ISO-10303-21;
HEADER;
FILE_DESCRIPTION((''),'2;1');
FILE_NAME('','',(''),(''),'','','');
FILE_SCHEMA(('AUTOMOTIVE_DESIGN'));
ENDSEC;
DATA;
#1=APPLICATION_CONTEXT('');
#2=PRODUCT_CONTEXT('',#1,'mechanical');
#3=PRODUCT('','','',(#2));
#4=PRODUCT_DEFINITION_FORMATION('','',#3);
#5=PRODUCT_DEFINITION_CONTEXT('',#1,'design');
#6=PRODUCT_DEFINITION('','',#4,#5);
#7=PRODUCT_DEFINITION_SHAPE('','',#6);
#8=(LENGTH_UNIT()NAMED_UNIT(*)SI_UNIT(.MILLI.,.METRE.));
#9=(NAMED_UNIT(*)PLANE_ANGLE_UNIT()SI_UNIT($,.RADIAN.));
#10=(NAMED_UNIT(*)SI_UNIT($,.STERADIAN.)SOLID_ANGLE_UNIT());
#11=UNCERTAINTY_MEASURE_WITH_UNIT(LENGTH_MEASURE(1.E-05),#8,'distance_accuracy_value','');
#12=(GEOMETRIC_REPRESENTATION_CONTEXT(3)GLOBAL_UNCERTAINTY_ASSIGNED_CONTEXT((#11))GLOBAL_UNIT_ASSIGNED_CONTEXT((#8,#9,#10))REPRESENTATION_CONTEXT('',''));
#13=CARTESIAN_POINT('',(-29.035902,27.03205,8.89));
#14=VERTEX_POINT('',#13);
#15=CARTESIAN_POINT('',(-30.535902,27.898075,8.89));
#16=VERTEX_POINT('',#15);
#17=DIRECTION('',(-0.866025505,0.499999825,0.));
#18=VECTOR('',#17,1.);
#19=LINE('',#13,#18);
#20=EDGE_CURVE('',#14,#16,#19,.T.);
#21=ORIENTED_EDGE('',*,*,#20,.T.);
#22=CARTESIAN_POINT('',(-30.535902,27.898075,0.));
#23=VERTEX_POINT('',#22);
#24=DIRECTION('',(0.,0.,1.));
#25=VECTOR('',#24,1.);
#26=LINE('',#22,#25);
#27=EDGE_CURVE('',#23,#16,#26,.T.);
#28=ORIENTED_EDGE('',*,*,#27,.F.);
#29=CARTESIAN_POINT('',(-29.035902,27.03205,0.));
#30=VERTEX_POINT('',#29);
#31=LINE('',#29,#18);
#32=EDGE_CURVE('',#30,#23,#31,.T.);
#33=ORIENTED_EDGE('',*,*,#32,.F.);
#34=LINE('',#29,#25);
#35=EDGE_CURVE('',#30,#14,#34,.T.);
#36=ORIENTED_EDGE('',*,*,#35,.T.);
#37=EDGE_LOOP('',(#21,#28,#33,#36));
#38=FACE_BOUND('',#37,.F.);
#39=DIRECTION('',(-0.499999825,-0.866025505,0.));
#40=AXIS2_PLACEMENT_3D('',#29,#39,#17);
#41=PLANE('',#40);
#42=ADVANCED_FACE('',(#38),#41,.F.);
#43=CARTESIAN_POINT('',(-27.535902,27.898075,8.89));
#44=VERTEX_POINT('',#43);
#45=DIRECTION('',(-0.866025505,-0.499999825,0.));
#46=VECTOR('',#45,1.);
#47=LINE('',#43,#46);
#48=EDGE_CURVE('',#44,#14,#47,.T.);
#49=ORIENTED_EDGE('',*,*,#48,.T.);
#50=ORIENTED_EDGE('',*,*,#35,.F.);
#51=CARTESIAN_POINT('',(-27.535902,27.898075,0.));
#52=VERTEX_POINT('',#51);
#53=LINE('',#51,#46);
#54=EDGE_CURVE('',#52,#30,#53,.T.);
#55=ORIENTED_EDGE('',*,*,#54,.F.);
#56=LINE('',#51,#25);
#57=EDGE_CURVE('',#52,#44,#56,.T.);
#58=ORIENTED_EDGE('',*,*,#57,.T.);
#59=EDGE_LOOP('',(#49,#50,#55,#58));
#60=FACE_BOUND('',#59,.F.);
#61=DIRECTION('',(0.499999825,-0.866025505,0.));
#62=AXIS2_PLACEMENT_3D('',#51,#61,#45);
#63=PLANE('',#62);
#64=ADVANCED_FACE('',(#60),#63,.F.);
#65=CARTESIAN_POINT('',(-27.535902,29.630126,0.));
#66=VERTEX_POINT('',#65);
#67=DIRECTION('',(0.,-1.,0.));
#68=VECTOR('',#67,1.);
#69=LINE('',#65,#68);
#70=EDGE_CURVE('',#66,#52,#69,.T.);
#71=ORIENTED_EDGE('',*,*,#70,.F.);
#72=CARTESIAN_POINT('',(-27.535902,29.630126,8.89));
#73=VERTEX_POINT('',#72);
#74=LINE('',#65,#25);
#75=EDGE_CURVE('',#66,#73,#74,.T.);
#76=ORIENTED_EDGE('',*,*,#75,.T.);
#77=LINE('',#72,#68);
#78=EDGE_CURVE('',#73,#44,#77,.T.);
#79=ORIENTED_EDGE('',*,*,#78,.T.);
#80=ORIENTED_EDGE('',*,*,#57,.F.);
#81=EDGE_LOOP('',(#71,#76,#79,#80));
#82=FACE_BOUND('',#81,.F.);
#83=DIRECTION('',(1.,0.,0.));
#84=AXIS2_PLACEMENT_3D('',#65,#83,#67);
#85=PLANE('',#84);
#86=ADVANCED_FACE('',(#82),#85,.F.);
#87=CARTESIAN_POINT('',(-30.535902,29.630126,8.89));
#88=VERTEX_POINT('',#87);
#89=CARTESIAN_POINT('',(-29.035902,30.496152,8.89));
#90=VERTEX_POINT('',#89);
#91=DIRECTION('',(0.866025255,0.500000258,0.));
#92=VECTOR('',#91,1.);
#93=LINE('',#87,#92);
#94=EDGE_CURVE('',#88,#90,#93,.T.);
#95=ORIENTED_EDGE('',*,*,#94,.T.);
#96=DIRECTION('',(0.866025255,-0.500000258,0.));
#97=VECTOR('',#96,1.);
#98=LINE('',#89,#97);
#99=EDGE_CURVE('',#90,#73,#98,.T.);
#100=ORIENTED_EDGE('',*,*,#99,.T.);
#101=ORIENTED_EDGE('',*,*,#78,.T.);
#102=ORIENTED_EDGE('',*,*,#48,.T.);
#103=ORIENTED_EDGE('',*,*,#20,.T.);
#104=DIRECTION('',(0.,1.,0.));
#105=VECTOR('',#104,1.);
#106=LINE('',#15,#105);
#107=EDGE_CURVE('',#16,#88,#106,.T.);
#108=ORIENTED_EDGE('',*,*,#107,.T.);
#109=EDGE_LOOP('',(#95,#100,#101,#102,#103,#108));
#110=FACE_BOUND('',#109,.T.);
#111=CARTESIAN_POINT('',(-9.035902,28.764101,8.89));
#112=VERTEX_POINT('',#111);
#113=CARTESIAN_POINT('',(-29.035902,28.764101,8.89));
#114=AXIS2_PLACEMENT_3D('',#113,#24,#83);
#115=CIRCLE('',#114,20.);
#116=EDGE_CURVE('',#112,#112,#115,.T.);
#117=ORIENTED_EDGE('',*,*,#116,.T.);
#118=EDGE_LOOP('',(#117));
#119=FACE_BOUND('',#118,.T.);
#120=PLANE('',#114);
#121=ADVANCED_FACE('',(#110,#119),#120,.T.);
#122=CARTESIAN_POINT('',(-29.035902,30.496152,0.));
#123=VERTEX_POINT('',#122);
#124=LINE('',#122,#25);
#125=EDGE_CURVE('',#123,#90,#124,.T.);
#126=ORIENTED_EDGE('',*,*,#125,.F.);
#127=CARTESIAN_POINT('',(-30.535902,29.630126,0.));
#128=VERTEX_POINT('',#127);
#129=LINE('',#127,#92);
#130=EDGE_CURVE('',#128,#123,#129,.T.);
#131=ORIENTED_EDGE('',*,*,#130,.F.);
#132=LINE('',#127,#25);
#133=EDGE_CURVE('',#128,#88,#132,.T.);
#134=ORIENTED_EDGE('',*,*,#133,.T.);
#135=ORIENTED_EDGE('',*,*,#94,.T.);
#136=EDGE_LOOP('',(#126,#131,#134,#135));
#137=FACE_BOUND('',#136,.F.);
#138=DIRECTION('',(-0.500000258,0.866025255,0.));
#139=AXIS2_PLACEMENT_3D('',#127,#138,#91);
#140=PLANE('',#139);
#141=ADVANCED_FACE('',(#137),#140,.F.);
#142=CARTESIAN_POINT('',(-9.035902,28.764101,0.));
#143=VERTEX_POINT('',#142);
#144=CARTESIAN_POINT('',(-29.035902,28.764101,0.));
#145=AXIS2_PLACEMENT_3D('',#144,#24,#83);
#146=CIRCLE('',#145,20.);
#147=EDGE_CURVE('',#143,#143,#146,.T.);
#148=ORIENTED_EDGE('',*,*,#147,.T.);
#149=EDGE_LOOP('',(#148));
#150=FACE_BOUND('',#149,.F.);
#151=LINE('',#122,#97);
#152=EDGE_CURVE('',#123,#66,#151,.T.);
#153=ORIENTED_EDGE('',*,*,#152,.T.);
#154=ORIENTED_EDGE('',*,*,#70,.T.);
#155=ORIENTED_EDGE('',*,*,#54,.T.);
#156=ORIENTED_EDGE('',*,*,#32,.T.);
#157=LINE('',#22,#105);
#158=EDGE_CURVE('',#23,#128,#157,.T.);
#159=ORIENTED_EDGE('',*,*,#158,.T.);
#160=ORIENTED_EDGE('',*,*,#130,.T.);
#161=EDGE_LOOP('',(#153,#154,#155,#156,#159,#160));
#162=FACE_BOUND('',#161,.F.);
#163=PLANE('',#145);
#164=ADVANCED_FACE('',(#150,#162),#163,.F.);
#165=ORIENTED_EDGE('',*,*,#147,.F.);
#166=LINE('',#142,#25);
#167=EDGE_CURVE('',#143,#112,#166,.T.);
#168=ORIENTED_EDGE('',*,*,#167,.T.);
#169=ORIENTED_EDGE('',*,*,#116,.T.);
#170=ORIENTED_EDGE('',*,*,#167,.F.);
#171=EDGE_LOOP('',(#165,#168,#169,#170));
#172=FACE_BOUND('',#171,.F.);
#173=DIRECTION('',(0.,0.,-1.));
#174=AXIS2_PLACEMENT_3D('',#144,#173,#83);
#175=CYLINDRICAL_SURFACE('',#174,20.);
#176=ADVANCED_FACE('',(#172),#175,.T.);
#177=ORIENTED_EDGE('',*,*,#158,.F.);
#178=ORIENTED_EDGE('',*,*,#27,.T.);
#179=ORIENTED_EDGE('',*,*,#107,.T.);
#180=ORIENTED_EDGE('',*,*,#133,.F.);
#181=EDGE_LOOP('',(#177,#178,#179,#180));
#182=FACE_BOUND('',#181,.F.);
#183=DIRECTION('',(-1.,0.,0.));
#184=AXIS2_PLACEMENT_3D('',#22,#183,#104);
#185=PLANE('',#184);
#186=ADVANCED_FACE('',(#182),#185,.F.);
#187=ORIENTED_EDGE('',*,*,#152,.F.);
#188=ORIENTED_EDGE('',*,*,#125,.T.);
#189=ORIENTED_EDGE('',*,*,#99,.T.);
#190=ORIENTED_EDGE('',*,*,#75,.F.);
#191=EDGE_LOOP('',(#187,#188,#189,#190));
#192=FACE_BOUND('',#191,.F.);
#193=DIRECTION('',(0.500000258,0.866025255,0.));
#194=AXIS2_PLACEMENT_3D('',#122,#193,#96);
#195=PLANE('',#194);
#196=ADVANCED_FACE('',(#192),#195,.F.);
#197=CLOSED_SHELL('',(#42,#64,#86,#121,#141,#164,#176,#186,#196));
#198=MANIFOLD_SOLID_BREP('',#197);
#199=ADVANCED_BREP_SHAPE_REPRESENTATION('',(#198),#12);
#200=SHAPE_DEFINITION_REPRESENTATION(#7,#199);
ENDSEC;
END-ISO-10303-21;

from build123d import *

# Parameters (mm, degrees)
F0_R     = 20
F1_DEPTH = 8.89
F2_DEPTH = 8.89


with BuildPart() as f1:
    # F0 (on Top) → F1 (new body)
    with BuildSketch(Plane.XY):
        with Locations((-29.035902, 28.764101)):
            Circle(F0_R)
        Polygon((-29.035902, 30.496152), (-27.535902, 29.630126), (-27.535902, 27.898075), (-29.035902, 27.03205), (-30.535902, 27.898075), (-30.535902, 29.630126), align=None, mode=Mode.SUBTRACT)
    extrude(amount=F1_DEPTH)

    # F0 (on Top) → F2 (cut)
    with BuildSketch(Plane.XY):
        Polygon((-27.535902, 27.898075), (-27.535902, 29.630126), (-29.035902, 30.496152), (-30.535902, 29.630126), (-30.535902, 27.898075), (-29.035902, 27.03205), align=None)
    extrude(amount=F2_DEPTH, mode=Mode.SUBTRACT)


solid = f1.part
